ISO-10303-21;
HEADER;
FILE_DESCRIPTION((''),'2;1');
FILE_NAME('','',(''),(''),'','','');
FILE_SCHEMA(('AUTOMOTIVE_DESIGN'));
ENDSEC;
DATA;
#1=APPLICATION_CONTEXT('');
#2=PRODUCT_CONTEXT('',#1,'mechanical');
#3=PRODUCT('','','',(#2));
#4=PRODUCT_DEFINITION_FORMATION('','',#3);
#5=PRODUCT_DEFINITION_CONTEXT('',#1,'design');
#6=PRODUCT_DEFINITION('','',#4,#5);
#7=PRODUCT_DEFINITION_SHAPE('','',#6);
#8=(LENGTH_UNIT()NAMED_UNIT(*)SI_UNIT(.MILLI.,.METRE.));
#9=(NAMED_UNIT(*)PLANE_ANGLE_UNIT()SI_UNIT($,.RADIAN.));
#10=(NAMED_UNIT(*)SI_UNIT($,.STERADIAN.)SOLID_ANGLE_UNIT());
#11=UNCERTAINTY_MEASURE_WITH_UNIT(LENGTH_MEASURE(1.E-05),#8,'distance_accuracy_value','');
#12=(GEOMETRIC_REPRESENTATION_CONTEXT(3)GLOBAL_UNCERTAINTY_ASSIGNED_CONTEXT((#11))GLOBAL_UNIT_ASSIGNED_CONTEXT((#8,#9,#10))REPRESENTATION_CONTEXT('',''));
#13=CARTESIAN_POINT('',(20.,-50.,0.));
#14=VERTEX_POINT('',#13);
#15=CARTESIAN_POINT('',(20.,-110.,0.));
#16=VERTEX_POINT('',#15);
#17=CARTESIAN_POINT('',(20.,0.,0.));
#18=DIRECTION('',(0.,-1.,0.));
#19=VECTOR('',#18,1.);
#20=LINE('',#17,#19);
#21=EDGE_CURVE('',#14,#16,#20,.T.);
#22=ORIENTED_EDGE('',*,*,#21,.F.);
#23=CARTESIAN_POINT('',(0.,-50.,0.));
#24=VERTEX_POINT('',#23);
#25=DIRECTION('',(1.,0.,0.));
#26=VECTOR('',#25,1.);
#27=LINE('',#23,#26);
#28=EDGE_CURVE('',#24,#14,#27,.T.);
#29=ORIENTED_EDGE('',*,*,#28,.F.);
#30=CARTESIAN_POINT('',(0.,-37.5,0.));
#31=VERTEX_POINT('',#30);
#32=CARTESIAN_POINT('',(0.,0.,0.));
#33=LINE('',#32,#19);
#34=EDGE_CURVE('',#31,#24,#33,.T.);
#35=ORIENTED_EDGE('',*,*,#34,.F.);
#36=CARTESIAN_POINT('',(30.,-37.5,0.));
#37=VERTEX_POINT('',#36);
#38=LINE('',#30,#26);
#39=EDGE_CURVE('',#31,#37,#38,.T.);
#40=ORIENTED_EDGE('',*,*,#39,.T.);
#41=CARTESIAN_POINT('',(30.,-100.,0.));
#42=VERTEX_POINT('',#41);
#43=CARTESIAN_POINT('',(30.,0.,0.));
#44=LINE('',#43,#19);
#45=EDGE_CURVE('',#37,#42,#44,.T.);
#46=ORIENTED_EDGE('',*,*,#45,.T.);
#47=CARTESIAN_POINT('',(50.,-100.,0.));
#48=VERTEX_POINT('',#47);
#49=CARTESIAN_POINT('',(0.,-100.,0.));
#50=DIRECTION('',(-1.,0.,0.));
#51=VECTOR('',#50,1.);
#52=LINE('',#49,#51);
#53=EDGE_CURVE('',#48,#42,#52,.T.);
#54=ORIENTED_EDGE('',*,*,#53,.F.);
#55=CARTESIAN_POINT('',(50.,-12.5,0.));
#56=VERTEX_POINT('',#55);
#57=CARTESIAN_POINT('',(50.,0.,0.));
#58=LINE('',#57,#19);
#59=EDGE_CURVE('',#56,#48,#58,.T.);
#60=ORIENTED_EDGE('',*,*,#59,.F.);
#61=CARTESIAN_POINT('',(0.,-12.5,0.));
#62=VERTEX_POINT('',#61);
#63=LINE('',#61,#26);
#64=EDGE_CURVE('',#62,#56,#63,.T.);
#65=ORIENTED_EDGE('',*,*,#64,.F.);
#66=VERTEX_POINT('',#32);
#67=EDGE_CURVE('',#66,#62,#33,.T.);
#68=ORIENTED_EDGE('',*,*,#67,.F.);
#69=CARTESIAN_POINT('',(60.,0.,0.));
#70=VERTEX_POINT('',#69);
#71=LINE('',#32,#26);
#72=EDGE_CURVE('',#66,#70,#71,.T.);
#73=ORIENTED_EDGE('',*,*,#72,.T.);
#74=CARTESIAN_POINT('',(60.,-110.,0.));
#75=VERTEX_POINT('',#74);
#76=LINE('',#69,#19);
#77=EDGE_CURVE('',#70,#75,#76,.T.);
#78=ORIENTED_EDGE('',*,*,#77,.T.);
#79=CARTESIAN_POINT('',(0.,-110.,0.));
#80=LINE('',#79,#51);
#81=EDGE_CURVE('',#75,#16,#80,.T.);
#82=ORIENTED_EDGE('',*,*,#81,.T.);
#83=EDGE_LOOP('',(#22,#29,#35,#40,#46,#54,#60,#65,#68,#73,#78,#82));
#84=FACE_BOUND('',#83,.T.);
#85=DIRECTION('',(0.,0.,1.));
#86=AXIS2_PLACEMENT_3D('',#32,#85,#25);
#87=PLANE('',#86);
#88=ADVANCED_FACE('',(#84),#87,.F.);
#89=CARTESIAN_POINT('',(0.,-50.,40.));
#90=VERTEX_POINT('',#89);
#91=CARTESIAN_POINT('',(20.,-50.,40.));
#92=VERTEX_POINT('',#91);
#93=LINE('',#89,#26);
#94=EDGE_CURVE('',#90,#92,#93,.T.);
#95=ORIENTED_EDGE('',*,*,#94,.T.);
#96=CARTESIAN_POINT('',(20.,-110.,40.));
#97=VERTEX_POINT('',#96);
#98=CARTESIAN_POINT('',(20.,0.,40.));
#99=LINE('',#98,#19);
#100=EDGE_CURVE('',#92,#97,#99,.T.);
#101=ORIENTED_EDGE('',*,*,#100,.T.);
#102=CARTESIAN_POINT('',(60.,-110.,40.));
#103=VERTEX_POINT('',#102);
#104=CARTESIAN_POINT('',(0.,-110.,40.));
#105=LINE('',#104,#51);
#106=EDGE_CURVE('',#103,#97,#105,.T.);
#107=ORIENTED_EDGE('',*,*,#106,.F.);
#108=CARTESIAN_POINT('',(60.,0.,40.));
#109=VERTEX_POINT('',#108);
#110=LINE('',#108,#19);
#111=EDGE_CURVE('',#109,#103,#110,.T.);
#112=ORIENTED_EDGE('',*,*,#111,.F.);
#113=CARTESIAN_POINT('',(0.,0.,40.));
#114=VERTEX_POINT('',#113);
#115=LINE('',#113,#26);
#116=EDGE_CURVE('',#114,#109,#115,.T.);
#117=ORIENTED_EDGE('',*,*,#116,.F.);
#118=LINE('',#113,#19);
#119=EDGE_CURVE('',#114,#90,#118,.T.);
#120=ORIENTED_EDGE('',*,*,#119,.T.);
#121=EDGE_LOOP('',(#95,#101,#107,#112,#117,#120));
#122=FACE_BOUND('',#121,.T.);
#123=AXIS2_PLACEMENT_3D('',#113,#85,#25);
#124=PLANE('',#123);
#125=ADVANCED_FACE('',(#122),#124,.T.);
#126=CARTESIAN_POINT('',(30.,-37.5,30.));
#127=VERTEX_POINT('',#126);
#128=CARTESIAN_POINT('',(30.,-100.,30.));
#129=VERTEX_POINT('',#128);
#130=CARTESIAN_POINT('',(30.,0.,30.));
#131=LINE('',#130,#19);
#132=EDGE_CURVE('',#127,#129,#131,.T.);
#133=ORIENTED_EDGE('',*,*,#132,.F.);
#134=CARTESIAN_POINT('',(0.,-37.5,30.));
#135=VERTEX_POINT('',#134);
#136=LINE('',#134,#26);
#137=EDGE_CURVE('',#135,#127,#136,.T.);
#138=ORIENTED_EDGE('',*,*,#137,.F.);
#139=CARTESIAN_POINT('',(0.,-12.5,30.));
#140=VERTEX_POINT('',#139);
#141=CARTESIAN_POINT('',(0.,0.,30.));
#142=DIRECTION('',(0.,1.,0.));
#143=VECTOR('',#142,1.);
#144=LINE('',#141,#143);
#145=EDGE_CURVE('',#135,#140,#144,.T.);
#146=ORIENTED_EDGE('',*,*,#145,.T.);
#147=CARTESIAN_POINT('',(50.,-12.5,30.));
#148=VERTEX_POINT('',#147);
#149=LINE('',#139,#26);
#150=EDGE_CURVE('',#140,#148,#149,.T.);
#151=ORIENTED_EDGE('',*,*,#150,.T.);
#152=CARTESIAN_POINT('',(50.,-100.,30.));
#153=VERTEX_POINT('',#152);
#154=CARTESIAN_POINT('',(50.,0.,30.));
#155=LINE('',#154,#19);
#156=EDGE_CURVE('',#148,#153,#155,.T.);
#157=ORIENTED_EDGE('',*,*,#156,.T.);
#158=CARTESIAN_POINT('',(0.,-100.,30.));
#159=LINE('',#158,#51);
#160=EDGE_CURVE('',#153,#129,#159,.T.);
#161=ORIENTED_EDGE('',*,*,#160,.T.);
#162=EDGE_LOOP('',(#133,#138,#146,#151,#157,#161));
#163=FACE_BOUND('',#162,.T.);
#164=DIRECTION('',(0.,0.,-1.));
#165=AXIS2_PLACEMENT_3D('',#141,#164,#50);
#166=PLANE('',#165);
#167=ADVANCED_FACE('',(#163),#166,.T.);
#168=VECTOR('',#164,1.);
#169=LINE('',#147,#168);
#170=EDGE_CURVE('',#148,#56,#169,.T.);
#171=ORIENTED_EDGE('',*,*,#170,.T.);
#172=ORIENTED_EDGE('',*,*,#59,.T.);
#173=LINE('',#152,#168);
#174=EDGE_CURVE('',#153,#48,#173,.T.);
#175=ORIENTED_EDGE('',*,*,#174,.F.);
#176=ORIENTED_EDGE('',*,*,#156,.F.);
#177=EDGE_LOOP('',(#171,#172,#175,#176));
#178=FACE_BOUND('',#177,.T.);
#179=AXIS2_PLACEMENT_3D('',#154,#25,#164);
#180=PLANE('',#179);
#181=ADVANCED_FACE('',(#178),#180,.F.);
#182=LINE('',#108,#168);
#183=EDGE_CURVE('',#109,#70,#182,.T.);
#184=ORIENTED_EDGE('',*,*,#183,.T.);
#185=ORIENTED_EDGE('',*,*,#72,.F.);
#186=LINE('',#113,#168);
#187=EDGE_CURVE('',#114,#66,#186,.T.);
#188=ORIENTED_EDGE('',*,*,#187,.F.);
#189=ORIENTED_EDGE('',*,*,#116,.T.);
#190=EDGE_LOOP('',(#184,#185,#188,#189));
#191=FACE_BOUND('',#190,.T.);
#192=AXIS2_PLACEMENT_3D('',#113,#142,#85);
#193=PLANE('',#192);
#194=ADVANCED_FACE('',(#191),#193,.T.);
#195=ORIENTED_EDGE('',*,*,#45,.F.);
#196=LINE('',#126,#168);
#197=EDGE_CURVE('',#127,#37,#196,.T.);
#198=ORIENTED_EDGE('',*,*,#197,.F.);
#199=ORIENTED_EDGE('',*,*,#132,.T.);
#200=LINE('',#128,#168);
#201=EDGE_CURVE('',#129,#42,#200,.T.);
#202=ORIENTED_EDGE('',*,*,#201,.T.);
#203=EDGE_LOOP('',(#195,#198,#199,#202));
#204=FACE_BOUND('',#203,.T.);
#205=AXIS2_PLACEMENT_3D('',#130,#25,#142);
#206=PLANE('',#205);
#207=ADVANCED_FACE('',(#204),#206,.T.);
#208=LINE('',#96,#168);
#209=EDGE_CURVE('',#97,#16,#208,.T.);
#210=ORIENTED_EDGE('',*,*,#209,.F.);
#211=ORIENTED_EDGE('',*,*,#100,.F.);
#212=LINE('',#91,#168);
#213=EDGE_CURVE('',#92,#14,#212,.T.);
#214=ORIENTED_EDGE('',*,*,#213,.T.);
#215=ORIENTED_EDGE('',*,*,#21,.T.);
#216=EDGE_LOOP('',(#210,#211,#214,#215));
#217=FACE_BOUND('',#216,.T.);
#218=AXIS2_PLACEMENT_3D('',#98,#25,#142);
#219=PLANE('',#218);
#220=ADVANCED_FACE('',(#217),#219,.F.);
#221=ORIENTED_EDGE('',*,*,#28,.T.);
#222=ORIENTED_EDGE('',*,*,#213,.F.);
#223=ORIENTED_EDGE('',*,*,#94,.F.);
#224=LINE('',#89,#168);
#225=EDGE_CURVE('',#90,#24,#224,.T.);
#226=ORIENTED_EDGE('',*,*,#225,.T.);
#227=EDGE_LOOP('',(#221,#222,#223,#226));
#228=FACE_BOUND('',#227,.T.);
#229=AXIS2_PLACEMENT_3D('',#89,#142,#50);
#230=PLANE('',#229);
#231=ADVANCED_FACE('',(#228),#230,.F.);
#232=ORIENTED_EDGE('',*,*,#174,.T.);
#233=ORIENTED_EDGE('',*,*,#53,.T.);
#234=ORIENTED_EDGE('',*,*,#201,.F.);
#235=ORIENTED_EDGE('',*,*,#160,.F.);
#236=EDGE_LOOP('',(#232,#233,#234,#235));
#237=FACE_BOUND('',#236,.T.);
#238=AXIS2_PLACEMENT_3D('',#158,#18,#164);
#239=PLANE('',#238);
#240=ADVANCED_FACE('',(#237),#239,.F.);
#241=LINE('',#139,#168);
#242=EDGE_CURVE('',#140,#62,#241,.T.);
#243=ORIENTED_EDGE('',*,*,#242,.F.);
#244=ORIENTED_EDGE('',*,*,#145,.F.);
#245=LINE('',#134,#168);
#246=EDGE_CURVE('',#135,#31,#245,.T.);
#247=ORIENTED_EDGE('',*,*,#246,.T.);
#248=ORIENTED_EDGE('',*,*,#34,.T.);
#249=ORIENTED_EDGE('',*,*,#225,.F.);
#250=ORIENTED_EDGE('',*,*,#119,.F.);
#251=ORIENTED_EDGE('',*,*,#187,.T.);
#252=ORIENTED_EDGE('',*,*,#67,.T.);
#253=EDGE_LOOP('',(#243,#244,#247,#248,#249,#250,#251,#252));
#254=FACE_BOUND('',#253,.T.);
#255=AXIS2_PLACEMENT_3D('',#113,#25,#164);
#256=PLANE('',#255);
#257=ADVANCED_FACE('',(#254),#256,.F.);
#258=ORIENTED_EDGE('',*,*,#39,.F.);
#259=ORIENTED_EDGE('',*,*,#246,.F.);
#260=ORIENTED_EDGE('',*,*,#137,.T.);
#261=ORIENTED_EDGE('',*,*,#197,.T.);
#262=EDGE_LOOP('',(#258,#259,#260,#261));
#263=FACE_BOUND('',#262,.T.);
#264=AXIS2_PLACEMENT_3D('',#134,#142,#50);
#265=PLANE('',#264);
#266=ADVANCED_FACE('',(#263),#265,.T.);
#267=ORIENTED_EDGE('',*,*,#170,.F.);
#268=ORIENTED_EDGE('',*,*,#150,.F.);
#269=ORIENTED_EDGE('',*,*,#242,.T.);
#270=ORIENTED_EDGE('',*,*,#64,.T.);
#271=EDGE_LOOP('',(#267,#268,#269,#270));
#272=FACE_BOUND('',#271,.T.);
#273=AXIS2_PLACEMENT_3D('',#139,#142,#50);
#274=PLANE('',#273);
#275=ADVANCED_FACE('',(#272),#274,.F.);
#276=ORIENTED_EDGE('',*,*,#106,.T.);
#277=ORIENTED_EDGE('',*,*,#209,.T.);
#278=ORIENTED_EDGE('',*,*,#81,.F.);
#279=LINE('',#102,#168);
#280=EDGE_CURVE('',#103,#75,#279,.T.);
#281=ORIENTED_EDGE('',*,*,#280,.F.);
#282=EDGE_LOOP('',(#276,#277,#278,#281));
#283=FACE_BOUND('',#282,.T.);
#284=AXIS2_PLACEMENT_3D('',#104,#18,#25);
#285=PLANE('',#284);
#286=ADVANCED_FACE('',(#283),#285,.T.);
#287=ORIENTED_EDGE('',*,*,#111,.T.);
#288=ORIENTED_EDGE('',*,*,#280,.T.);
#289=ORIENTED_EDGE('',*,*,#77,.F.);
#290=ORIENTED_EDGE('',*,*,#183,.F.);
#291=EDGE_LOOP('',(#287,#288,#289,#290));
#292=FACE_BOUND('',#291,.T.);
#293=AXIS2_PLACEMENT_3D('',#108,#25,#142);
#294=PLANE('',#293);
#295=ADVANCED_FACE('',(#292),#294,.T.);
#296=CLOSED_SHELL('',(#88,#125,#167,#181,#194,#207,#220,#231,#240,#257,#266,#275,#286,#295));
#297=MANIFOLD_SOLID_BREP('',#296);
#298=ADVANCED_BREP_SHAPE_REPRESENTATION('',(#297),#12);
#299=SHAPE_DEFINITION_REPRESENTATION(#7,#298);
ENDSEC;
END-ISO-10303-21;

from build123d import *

# Parameters (mm, degrees)
SKETCH_1_W          = 60
SKETCH_1_H          = 50
SKETCH_1_W_2        = 40
SKETCH_1_H_2        = 60
EXTRUDE_1_DEPTH     = 40
SKETCH_3_W          = 20
SKETCH_3_H          = 62.5
CUT_EXTRUDE_1_DEPTH = 30


with BuildPart() as part:
    # 스케치1 → 보스-돌출1 (new body)
    with BuildSketch(Plane.XY):
        with Locations((30, -25)):
            Rectangle(SKETCH_1_W, SKETCH_1_H)
        with Locations((40, -80)):
            Rectangle(SKETCH_1_W_2, SKETCH_1_H_2)
    extrude(amount=EXTRUDE_1_DEPTH)

    # 스케치3 → 컷-돌출1 (cut)
    with BuildSketch(Plane(origin=(0, 0, 0), x_dir=(-1, 0, 0), z_dir=(0, 0, -1))):
        Polygon((0, -37.5), (0, -12.5), (-50, -12.5), (-50, -37.5), (-30, -37.5), align=None)
        with Locations((-40, -68.75)):
            Rectangle(SKETCH_3_W, SKETCH_3_H)
    extrude(amount=-CUT_EXTRUDE_1_DEPTH, mode=Mode.SUBTRACT)


solid = part.part
